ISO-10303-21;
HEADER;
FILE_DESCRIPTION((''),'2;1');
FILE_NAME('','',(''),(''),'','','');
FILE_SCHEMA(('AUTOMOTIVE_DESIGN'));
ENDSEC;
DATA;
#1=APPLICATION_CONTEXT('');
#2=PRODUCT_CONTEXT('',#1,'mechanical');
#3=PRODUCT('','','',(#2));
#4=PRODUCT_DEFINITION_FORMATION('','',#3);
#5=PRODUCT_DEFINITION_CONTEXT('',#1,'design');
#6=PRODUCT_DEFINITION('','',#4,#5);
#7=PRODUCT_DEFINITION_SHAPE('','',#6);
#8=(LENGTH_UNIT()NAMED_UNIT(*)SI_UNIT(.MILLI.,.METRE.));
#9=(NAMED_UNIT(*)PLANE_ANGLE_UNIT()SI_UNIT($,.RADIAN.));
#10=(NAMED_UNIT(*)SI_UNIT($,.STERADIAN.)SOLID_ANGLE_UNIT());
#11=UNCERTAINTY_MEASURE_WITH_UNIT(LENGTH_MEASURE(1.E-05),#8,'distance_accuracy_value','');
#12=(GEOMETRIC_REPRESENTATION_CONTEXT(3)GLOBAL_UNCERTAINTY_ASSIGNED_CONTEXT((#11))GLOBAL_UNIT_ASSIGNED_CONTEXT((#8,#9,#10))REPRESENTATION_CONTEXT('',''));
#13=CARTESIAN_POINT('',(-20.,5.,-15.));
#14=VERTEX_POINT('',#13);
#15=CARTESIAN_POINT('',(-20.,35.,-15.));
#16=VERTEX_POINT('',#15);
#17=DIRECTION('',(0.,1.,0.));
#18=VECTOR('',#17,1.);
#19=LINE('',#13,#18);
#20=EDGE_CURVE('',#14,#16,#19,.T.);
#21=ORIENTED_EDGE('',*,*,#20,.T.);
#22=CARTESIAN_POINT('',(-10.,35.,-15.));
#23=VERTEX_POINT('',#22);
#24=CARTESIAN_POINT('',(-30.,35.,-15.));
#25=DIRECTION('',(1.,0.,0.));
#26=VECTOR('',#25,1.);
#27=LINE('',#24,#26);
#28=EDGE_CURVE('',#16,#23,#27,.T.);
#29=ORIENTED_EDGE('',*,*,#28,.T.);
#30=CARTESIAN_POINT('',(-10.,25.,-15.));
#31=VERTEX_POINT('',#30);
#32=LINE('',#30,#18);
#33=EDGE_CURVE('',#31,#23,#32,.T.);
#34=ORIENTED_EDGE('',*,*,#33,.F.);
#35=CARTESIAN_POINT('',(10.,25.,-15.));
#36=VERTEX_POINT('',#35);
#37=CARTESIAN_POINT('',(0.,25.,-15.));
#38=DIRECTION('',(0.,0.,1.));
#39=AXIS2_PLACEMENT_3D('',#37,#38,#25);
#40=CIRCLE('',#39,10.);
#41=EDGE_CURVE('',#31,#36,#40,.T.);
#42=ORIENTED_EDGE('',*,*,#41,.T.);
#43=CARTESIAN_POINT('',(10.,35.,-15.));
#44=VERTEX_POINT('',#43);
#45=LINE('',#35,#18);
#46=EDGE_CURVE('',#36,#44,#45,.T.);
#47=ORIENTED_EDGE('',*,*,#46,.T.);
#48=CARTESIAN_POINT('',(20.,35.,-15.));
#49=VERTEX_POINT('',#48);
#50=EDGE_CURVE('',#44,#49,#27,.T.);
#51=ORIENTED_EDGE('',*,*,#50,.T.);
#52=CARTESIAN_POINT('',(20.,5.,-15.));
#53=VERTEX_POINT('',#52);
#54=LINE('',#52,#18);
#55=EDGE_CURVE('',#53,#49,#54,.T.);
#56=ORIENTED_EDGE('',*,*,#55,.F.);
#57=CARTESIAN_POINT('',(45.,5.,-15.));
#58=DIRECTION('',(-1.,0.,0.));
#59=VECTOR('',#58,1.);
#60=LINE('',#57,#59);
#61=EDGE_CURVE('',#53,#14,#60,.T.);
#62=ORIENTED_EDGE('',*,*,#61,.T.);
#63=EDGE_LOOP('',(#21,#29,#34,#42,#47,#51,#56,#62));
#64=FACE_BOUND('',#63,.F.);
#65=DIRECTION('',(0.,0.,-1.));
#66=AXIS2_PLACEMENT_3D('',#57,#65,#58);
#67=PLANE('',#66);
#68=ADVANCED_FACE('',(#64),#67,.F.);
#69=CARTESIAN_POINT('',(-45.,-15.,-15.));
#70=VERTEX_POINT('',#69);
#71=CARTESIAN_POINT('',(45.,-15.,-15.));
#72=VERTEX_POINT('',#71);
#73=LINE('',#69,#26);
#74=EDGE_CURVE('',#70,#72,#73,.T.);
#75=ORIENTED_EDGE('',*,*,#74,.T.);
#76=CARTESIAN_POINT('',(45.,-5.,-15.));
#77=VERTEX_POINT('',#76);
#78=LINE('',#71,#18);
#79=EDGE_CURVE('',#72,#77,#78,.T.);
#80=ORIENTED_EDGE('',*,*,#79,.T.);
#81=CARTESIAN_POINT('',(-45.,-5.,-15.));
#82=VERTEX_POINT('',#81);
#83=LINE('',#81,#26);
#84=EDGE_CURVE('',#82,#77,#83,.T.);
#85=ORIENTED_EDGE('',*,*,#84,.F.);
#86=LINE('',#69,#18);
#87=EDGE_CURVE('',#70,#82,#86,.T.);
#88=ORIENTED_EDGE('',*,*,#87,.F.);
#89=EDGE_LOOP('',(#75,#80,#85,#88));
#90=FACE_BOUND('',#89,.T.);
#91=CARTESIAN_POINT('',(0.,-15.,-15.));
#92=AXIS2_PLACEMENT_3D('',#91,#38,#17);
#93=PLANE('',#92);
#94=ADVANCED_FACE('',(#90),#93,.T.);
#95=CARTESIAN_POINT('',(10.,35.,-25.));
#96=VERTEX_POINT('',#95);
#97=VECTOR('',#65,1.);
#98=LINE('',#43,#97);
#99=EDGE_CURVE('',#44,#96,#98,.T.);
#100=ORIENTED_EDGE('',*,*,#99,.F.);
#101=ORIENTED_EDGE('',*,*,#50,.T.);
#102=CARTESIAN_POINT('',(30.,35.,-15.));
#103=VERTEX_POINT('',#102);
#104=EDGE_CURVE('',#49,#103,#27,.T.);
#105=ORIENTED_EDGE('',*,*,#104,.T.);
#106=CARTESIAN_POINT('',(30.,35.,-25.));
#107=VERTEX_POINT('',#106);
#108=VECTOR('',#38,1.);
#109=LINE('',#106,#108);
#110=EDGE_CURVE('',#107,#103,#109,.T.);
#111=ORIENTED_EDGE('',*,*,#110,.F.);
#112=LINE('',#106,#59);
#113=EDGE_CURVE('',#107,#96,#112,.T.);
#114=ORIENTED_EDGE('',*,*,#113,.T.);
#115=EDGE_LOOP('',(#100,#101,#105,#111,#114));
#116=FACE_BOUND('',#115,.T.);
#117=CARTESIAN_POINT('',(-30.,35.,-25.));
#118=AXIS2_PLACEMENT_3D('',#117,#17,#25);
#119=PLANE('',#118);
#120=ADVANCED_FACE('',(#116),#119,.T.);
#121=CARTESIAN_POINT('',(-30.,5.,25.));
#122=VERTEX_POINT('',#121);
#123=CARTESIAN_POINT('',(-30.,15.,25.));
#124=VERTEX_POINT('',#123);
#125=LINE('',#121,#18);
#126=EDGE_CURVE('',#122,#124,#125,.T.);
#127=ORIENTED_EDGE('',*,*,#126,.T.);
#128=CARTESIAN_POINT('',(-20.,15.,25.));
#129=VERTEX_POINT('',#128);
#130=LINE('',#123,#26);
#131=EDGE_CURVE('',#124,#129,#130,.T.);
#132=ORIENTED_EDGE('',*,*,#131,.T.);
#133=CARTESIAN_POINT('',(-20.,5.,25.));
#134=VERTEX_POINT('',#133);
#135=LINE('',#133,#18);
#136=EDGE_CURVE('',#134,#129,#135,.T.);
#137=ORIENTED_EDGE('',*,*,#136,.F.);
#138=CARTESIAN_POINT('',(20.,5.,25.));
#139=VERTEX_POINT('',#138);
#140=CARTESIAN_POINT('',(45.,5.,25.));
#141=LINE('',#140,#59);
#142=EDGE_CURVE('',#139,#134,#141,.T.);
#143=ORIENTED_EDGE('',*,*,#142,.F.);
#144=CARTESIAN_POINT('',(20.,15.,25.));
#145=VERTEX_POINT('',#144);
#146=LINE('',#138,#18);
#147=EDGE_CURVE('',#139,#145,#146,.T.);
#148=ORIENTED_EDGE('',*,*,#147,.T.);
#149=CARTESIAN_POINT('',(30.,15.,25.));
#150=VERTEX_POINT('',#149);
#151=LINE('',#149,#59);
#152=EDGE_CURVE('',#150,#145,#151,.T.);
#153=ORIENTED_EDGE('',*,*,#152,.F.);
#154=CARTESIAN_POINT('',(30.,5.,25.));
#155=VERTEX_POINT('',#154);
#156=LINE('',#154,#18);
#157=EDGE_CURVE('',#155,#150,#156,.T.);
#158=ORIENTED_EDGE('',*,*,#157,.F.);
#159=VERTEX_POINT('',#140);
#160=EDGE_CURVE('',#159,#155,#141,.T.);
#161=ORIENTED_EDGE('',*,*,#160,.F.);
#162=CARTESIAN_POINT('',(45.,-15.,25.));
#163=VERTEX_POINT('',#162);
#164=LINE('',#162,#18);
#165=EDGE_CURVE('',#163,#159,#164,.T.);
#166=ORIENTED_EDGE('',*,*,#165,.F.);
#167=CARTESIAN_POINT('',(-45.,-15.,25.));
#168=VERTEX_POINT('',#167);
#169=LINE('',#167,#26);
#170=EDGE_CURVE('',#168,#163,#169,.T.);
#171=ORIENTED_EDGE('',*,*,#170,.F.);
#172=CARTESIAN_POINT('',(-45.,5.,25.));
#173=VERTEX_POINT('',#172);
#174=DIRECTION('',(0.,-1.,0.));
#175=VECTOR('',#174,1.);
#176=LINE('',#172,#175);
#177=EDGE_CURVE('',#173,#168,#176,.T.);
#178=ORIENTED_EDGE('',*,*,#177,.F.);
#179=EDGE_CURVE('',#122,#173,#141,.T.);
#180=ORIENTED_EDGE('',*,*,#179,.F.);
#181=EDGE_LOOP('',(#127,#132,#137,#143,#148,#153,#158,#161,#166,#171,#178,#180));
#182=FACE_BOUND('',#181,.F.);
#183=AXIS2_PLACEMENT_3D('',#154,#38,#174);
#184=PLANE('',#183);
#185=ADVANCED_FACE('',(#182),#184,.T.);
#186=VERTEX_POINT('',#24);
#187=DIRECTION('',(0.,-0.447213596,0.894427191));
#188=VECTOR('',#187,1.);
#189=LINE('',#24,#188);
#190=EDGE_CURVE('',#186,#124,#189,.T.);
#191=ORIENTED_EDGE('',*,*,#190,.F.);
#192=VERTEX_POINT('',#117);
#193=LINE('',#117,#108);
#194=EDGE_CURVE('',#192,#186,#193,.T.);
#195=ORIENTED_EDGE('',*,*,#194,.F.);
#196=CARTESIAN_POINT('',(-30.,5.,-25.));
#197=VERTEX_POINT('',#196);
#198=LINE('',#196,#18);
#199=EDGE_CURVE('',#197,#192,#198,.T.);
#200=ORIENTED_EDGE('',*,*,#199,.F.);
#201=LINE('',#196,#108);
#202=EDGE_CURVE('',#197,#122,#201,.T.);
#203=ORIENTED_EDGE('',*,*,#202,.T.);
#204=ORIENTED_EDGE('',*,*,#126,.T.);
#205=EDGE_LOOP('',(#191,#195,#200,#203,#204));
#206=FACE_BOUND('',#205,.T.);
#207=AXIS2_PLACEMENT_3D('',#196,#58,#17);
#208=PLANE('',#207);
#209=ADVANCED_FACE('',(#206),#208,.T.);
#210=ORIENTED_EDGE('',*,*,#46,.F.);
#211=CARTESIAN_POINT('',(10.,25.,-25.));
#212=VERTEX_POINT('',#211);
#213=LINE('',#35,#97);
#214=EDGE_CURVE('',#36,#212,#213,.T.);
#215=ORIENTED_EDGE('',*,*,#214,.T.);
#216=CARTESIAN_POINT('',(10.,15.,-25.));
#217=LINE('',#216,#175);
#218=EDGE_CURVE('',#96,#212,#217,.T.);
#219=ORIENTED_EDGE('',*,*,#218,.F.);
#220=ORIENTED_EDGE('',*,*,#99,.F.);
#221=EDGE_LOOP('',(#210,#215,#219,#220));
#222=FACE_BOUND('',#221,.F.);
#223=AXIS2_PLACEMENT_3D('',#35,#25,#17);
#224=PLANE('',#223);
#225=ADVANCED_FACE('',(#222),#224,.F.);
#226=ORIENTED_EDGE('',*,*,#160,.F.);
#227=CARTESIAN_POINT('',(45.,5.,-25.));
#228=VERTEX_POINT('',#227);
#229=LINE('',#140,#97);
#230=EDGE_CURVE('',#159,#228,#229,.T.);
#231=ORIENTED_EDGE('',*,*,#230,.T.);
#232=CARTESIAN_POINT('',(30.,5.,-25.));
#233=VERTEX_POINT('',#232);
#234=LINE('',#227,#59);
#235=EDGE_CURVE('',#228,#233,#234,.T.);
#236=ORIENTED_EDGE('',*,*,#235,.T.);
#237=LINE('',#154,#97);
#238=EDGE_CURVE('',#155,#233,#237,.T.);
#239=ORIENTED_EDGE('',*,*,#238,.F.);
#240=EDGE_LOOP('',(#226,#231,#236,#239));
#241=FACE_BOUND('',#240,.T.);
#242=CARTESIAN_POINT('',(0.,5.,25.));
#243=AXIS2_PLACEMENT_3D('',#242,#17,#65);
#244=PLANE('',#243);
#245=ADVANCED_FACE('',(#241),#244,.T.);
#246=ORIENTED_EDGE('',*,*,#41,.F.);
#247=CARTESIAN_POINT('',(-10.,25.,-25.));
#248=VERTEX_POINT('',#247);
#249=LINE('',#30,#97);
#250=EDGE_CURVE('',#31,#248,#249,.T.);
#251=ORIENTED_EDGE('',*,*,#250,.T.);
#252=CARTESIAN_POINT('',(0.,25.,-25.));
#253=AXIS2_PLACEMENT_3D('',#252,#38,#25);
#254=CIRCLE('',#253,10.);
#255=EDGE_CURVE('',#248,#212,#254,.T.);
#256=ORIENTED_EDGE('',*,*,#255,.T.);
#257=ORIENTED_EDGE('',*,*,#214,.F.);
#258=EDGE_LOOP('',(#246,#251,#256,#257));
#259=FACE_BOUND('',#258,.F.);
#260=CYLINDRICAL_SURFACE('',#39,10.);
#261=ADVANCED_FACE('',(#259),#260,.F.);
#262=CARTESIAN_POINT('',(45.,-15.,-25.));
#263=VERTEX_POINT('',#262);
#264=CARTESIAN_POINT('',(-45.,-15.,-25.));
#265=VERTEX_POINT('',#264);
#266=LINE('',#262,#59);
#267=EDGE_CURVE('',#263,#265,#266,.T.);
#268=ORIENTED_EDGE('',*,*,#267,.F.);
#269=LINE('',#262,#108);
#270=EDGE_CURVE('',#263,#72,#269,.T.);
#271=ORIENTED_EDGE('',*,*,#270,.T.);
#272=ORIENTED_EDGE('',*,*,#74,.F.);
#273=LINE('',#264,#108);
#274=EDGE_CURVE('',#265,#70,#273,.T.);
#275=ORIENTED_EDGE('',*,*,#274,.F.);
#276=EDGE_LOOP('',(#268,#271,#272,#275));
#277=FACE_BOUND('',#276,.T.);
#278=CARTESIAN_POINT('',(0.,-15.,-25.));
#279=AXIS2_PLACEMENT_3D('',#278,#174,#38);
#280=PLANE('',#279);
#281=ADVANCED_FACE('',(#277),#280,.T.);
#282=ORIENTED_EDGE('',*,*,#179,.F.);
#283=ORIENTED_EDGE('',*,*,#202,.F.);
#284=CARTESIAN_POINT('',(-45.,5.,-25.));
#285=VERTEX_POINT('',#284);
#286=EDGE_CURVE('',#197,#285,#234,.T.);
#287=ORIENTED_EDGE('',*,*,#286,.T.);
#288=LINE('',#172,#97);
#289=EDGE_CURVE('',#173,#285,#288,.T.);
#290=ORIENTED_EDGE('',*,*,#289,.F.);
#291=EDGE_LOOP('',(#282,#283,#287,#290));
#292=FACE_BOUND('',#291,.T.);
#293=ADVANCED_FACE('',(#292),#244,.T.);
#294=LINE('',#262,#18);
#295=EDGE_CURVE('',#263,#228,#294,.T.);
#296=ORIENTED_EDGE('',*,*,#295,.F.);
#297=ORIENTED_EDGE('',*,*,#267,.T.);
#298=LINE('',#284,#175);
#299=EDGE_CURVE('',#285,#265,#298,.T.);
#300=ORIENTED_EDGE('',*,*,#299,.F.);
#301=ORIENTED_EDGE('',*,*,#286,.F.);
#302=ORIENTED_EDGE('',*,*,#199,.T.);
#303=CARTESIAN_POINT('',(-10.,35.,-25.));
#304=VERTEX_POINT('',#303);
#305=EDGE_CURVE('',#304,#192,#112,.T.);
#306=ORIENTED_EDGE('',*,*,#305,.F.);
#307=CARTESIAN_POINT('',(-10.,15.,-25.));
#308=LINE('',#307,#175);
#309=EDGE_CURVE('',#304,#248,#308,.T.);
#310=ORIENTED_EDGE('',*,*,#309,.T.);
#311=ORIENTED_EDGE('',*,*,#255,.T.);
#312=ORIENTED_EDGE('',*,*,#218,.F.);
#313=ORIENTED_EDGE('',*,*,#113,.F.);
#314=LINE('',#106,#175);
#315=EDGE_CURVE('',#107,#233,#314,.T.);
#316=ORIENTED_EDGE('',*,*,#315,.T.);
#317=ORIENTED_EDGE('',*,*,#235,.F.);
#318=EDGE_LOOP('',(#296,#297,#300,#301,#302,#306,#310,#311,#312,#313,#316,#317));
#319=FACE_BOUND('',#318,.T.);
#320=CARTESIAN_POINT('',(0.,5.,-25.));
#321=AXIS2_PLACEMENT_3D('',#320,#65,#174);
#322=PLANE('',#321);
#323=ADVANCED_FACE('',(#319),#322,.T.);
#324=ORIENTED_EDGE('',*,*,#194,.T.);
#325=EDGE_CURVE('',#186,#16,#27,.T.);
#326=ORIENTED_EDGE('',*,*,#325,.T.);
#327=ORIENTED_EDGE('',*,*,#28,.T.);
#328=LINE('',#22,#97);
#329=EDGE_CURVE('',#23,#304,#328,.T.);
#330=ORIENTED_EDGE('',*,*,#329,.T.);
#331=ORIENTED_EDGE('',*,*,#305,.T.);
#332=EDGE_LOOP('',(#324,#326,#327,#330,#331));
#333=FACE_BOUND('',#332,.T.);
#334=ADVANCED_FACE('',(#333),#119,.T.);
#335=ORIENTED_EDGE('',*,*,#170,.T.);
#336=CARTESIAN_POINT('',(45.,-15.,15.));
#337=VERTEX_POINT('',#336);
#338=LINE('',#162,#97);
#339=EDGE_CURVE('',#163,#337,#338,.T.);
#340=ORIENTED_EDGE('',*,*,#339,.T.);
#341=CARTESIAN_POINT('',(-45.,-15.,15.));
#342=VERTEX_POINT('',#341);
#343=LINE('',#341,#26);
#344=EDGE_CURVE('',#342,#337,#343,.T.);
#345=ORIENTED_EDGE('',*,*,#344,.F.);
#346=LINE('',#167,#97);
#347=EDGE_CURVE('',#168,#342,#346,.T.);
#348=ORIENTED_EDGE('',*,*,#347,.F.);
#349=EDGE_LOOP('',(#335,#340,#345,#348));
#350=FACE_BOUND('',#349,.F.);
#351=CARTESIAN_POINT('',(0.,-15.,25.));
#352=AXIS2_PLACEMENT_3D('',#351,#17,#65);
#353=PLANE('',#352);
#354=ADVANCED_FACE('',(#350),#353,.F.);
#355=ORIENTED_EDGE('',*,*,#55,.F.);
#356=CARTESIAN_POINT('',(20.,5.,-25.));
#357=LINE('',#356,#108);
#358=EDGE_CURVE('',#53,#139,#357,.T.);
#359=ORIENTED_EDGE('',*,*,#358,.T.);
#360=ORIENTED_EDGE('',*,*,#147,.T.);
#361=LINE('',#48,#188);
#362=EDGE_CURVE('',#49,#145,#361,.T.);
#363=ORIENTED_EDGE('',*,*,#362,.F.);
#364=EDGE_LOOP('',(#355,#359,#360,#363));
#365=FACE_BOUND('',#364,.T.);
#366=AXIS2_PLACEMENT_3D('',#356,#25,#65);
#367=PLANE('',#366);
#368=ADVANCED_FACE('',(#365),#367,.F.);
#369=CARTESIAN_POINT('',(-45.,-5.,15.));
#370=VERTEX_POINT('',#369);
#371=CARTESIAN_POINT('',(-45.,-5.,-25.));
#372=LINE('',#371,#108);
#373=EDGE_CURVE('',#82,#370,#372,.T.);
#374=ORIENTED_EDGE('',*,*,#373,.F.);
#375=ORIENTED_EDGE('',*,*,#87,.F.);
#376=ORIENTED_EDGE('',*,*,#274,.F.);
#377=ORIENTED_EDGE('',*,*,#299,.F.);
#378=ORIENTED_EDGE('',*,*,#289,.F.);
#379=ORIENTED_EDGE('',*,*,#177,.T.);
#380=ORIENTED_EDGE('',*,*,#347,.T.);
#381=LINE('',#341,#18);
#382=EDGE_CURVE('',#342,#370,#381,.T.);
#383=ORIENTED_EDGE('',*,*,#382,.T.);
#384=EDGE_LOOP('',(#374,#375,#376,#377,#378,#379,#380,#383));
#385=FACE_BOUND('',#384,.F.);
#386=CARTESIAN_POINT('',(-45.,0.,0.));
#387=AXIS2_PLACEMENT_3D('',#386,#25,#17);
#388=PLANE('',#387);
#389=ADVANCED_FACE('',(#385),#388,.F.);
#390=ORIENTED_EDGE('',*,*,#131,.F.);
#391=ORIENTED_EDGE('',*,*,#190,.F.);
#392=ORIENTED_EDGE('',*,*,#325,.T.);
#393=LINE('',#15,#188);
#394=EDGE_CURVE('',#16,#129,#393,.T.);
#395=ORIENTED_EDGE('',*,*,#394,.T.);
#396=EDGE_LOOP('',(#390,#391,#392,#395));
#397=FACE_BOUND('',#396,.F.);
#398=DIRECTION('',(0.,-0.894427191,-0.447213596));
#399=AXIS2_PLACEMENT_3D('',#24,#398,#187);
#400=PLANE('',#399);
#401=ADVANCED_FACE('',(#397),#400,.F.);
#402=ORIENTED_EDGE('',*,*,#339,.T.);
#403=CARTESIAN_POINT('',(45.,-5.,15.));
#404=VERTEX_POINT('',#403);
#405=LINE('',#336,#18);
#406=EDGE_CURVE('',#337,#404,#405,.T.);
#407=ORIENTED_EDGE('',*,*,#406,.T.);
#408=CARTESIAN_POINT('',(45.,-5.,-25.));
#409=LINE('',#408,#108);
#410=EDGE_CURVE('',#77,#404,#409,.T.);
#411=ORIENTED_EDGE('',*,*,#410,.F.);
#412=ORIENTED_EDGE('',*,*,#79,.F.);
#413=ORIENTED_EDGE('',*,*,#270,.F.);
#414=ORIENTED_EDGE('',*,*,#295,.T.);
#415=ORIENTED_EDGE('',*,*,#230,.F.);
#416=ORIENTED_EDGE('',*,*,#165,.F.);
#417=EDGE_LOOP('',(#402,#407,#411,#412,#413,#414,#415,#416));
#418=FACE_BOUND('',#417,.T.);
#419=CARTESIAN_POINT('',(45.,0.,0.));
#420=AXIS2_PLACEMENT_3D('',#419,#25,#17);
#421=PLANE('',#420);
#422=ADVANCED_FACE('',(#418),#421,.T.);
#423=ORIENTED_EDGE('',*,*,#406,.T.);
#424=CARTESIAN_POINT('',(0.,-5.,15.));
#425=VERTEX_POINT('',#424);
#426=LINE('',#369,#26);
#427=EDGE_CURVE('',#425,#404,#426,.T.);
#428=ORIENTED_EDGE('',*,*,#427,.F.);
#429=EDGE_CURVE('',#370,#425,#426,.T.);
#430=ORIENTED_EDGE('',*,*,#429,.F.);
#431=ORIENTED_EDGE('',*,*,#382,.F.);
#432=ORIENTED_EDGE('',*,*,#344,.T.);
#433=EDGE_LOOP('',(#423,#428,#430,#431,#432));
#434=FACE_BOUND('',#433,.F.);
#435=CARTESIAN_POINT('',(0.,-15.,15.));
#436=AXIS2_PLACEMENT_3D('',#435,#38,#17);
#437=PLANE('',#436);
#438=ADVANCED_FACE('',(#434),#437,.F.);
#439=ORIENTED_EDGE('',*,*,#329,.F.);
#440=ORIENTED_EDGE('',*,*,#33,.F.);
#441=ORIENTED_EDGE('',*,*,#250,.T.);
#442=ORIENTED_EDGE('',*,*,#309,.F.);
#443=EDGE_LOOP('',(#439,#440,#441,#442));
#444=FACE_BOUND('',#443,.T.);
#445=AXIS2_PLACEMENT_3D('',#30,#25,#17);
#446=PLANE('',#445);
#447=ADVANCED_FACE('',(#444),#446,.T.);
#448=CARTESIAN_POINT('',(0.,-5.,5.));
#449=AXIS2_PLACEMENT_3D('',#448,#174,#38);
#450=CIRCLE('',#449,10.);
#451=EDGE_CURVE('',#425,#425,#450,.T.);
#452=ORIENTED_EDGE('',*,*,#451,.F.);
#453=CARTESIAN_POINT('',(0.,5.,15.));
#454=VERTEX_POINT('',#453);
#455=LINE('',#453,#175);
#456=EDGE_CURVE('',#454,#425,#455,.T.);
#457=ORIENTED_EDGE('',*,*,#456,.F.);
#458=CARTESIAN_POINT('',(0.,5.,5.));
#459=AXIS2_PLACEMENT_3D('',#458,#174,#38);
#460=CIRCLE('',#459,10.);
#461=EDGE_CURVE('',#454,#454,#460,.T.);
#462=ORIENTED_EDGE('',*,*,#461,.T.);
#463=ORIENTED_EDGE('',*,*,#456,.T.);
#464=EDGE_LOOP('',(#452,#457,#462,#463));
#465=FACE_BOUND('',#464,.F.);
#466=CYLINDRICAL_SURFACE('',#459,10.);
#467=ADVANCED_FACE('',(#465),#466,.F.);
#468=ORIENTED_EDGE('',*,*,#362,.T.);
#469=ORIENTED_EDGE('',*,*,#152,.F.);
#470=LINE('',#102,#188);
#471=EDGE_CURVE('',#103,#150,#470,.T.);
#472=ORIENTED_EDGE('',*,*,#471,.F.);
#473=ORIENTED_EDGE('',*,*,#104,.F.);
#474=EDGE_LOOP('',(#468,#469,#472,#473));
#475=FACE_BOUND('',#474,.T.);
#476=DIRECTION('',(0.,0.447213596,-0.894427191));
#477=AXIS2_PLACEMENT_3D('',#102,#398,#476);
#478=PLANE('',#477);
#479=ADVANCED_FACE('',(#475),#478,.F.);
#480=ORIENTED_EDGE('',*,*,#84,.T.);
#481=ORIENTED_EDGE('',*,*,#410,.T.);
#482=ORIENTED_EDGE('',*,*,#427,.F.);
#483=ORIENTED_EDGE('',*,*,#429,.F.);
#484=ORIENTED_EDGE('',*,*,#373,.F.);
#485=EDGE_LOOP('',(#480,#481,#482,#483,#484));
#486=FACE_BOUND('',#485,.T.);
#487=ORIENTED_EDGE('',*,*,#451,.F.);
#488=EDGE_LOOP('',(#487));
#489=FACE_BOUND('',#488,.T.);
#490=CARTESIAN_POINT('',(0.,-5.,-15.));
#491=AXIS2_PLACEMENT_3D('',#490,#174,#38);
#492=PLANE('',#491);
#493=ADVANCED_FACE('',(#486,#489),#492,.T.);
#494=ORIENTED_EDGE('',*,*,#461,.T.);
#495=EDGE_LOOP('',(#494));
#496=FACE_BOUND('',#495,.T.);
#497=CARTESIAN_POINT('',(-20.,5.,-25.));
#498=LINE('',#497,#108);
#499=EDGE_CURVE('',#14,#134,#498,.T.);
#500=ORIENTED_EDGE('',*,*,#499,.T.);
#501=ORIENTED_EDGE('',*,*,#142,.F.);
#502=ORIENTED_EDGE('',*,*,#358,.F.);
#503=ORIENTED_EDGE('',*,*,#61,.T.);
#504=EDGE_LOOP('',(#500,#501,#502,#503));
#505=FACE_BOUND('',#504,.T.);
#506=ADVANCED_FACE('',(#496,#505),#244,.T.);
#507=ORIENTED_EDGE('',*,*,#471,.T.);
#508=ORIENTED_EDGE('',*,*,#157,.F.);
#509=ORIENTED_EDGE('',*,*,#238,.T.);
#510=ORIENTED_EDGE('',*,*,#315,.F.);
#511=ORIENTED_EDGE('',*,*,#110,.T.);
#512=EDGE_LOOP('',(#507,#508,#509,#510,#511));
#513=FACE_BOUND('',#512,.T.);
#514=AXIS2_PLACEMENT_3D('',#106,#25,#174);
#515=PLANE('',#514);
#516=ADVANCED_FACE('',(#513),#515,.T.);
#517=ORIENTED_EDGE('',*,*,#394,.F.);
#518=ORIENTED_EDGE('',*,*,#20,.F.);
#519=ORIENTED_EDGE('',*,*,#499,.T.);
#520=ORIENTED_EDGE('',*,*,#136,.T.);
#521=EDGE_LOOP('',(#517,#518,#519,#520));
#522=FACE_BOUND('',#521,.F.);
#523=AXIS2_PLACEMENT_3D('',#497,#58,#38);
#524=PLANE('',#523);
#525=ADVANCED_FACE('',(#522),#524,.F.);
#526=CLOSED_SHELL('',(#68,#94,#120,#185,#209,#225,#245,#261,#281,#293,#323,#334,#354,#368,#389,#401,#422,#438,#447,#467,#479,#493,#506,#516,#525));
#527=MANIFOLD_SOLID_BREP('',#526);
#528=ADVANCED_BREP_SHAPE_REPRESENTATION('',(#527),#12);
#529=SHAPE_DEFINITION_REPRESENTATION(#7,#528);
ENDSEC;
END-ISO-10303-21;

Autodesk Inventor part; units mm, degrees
ref_plane "YZ Plane" through (0, 0, 0) normal (1, 0, 0) x (0, 1, 0)
ref_plane "XZ Plane" through (0, 0, 0) normal (0, 1, 0) x (-1, 0, 0)
ref_plane "XY Plane" through (0, 0, 0) normal (0, 0, 1) x (1, 0, 0)
sketch "Sketch1" plane through (0, 0, 0) normal (1, 0, 0) x (0, 1, 0)
  line L0 (-5, 25) -> (5, 25)
  line L1 (5, 25) -> (5, -25)
  line L2 (5, -25) -> (-5, -25)
  line L3 (-5, -25) -> (-5, 25)
  line L4 (-5, 25) -> (5, -25) construction
  line L5 (5, 25) -> (-5, -25) construction
  line L6 (-5, -25) -> (-15, -25)
  line L7 (-15, -25) -> (-15, -15)
  line L8 (-15, -15) -> (-5, -15)
  line L9 (-5, -15) -> (-5, -25)
  line L10 (5, 0) -> (-34.0233, 0) construction
  line L11 (-5, 25) -> (-15, 25)
  line L12 (-15, 25) -> (-15, 15)
  line L13 (-15, 15) -> (-5, 15)
  point P0 (0, 0)
  point P1 (-15, -20)
  dimension "d0" = 50
  dimension "d1" = 10
  dimension "d2" = 10
  dimension "d3" = 20
extrude "Extrusion1" add sketch "Sketch1" along normal mid plane 90
sketch "Sketch2" plane through (45, 5, -25) normal (0, 0, -1) x (-1, 0, 0)
  line L0 (0, 0) -> (90, 0) projected
  line L1 (0, -20) -> (0, 0) projected
  line L2 (90, -20) -> (0, -20) projected
  line L3 (90, 0) -> (90, -20) projected
  line L4 (15, 0) -> (75, 0)
  line L5 (75, 0) -> (75, 30)
  line L6 (75, 30) -> (15, 30)
  line L7 (15, 30) -> (15, 0)
  point P0 (45, -5)
  point P1 (45, 30)
  dimension "d6" = 50
  dimension "d7" = 60
extrude "Extrusion2" add sketch "Sketch2" against normal blind 10 contours L7 L6 L5 L0
sketch "Sketch3" plane through (-30, 5, -25) normal (-1, 0, 0) x (0, 0, 1)
  line L0 (0, 30) -> (10, 30) projected
  line L1 (0, 0) -> (50, 0) projected
  line L2 (10, 30) -> (50, 10)
  line L3 (50, 0) -> (50, -20) projected
  line L4 (50, 0) -> (50, 10)
  line L5 (40, -20) -> (50, -20) projected
  line L6 (0, 0) -> (0, 30) projected
  point P0 (25, -5)
  dimension "d28" = 30
extrude "Extrusion4" add sketch "Sketch3" against normal blind 10
mirror "Mirror1" about plane through (0, 0, 0) normal (1, 0, 0) of "Extrusion4"
sketch "Sketch4" plane through (45, 5, -15) normal (0, 0, 1) x (1, 0, 0)
  circle A0 centre (-45, 20) radius 10
  line L0 (-55, 20) -> (-55, 30)
  line L1 (-15, 30) -> (-75, 30) projected
  line L2 (-45, 30) -> (-45, 0) construction
  line L3 (-15, 0) -> (-75, 0) projected
  line L4 (-35, 20) -> (-35, 30)
  point P0 (-45, -5)
  point P1 (-25, 30)
  point P2 (-65, 30)
  point P3 (-25, 0)
  point P4 (-65, 0)
  point P5 (-45, 10)
  point P6 (-35, 20)
  dimension "d16" = 20
  dimension "d17" = 20
extrude "Extrusion3" cut sketch "Sketch4" against normal through all
sketch "Sketch5" plane through (-20, 5, 25) normal (0, 1, 0) x (1, 0, 0)
  line L0 (40, 40) -> (30, 40) projected
  line L1 (0, 0) -> (40, 0) projected
  point P0 (20, 20)
  point P1 (50, 40)
  point P2 (20, 0)
  dimension "d20" = 20
hole "Hole1" at (0, 5, 5) direction (0, -1, 0) diameter 20 end through all
properties part number "s14-12"
